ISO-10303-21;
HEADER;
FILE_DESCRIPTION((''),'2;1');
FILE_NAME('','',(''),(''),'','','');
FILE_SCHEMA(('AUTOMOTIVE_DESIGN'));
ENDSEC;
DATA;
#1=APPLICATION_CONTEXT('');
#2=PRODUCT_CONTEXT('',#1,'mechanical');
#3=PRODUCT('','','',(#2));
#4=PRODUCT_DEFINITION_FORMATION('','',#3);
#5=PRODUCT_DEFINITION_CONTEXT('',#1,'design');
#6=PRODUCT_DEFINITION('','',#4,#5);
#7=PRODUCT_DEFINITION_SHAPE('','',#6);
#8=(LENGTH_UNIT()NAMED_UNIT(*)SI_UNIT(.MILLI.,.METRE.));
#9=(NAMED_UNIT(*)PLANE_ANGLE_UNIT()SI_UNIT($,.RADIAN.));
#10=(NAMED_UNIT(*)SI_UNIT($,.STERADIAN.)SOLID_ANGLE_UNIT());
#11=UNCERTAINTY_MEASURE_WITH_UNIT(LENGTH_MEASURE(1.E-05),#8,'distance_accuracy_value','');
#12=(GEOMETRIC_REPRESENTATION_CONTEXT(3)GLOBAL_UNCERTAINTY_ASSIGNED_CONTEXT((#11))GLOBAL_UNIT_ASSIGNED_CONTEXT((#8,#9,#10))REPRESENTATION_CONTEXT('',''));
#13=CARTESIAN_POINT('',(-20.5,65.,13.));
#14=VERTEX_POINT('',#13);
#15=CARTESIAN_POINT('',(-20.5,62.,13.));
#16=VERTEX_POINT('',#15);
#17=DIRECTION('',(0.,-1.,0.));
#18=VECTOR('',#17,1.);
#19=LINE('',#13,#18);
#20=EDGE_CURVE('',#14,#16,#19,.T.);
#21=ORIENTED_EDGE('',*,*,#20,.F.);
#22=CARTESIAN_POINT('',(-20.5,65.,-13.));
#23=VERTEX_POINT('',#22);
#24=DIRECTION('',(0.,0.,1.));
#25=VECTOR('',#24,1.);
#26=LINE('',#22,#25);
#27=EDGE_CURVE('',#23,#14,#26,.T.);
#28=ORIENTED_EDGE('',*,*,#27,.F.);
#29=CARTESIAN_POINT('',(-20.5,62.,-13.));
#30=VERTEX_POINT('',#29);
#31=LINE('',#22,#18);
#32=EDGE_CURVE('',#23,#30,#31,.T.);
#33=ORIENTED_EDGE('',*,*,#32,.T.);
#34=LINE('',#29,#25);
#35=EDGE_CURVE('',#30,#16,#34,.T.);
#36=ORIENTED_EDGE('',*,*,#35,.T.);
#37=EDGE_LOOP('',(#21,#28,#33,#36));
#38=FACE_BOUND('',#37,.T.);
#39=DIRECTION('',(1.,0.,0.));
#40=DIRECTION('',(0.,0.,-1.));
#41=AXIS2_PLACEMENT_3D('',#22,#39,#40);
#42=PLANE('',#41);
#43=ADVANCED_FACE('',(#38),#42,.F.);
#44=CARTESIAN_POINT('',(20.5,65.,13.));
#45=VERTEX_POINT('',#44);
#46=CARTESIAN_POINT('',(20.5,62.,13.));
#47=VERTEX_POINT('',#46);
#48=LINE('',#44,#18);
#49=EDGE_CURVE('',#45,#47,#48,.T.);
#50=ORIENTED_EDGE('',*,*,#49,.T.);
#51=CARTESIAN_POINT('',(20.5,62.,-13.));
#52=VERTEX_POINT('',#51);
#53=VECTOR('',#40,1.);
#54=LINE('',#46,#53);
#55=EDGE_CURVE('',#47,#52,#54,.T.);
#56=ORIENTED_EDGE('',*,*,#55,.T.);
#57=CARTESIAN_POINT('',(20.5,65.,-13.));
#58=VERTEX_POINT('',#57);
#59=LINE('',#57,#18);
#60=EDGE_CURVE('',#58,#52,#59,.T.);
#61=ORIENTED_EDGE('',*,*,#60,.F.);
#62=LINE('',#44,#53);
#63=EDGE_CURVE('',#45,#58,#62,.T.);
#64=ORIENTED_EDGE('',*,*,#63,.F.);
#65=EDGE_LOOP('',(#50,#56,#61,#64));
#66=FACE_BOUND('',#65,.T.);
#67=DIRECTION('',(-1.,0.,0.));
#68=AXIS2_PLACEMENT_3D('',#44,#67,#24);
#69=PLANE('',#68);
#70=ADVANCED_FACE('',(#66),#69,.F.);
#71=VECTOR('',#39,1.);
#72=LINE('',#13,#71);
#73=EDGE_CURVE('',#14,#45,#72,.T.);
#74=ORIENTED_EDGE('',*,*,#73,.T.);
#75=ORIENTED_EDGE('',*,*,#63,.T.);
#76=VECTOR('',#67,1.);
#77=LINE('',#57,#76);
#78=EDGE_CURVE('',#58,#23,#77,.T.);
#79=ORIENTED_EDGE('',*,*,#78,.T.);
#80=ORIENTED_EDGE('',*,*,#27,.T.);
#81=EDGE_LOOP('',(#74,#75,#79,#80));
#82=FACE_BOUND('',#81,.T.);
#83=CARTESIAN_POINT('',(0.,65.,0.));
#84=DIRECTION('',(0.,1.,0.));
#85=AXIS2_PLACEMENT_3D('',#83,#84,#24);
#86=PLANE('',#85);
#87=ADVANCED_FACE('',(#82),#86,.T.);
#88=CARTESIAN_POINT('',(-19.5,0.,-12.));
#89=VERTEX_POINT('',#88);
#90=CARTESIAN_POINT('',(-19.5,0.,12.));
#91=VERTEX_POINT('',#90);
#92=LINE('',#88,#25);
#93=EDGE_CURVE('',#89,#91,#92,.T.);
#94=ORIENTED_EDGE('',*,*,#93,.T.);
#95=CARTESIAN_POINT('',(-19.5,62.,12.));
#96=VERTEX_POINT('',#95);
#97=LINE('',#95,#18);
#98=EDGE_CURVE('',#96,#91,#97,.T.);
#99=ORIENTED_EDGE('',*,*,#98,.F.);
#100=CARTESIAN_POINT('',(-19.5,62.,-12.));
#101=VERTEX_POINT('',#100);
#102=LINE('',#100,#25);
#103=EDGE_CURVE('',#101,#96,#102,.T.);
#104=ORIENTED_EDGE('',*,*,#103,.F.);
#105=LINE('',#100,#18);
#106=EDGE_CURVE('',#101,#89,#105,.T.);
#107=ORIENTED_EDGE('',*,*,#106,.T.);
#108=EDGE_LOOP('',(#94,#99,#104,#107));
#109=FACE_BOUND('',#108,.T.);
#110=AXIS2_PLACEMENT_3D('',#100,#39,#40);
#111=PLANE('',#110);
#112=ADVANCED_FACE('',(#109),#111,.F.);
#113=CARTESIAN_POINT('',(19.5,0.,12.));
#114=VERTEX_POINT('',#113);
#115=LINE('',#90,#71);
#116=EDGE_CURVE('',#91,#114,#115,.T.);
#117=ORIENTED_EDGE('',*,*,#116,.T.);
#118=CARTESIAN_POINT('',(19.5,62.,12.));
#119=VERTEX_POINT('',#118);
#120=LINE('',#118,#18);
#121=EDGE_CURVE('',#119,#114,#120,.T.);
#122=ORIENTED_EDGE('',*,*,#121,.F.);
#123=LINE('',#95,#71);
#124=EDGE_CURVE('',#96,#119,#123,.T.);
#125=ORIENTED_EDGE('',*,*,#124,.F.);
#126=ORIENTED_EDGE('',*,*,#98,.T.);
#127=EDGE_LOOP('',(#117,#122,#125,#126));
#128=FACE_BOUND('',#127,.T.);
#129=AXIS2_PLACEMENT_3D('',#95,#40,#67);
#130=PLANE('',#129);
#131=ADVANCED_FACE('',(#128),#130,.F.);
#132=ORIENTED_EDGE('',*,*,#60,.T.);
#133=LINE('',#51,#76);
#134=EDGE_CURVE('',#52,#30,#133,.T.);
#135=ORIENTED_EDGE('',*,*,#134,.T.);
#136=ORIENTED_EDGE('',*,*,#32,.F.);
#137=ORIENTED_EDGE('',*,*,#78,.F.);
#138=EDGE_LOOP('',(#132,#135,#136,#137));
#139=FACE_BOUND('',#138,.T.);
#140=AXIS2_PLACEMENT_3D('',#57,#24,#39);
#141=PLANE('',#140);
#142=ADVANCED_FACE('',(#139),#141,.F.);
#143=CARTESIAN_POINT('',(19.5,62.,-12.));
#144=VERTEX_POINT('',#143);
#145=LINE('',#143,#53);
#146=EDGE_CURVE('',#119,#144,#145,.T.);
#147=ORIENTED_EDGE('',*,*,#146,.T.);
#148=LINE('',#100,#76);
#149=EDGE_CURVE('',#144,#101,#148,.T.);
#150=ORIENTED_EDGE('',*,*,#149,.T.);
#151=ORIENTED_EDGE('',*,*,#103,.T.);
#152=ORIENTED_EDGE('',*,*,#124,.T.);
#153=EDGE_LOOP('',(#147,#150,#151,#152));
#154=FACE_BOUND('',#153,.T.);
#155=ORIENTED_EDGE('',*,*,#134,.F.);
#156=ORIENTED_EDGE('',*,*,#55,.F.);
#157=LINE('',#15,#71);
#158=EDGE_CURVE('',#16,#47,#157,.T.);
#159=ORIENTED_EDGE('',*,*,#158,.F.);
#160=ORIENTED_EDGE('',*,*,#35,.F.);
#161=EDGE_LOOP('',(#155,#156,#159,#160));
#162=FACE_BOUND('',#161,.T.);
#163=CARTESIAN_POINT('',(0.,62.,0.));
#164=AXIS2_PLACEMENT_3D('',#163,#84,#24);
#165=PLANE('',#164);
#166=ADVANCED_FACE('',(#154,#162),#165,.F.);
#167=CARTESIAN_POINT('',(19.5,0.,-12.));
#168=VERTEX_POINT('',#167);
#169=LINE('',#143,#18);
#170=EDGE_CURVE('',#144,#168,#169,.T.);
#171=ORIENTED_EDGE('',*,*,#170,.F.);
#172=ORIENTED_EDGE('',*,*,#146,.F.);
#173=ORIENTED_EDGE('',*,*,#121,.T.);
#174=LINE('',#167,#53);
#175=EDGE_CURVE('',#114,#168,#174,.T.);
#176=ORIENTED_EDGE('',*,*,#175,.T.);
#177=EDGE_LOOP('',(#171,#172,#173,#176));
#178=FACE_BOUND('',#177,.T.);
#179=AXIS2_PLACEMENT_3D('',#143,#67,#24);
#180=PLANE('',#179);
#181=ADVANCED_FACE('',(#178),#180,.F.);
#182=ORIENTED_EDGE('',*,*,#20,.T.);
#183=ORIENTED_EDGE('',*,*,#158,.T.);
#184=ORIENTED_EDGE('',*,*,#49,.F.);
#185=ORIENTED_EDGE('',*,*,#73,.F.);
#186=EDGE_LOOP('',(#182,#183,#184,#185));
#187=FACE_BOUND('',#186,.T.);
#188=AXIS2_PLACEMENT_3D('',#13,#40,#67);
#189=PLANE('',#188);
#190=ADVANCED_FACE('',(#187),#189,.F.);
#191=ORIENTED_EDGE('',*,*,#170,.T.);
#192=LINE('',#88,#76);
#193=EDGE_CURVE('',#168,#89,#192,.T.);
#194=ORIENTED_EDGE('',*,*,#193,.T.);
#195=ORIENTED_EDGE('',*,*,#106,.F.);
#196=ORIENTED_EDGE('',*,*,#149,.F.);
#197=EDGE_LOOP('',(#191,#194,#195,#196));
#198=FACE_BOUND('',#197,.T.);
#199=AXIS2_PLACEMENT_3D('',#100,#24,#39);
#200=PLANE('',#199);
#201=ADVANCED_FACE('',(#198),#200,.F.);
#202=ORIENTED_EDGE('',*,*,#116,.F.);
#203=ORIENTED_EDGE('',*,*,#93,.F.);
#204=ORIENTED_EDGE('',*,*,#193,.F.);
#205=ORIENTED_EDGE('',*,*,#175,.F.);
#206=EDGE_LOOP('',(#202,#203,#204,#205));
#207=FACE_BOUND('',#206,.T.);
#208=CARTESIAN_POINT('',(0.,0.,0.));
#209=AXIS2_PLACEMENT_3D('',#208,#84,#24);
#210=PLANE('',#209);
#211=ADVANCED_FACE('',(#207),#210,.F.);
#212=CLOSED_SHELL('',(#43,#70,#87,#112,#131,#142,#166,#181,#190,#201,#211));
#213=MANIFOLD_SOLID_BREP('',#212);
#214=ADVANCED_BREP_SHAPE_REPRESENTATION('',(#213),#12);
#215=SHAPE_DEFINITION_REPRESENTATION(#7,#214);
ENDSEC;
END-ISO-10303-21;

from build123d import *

# Parameters (mm, degrees)
SCHIZZO1_W                   = 39
SCHIZZO1_H                   = 24
ESTRUSIONE_ESTRUSIONE1_DEPTH = 62
SCHIZZO2_W                   = 41
SCHIZZO2_H                   = 26
ESTRUSIONE_ESTRUSIONE2_DEPTH = 3


with BuildPart() as part:
    # Schizzo1 → Estrusione-Estrusione1 (new body)
    with BuildSketch(Plane(origin=(0, 0, 0), x_dir=(1, 0, 0), z_dir=(0, 1, 0))):
        Rectangle(SCHIZZO1_W, SCHIZZO1_H)
    extrude(amount=ESTRUSIONE_ESTRUSIONE1_DEPTH)

    # Schizzo2 → Estrusione-Estrusione2 (add)
    with BuildSketch(Plane(origin=(0, 62, 0), x_dir=(1, 0, 0), z_dir=(0, 1, 0))):
        Rectangle(SCHIZZO2_W, SCHIZZO2_H)
    extrude(amount=ESTRUSIONE_ESTRUSIONE2_DEPTH)


solid = part.part
